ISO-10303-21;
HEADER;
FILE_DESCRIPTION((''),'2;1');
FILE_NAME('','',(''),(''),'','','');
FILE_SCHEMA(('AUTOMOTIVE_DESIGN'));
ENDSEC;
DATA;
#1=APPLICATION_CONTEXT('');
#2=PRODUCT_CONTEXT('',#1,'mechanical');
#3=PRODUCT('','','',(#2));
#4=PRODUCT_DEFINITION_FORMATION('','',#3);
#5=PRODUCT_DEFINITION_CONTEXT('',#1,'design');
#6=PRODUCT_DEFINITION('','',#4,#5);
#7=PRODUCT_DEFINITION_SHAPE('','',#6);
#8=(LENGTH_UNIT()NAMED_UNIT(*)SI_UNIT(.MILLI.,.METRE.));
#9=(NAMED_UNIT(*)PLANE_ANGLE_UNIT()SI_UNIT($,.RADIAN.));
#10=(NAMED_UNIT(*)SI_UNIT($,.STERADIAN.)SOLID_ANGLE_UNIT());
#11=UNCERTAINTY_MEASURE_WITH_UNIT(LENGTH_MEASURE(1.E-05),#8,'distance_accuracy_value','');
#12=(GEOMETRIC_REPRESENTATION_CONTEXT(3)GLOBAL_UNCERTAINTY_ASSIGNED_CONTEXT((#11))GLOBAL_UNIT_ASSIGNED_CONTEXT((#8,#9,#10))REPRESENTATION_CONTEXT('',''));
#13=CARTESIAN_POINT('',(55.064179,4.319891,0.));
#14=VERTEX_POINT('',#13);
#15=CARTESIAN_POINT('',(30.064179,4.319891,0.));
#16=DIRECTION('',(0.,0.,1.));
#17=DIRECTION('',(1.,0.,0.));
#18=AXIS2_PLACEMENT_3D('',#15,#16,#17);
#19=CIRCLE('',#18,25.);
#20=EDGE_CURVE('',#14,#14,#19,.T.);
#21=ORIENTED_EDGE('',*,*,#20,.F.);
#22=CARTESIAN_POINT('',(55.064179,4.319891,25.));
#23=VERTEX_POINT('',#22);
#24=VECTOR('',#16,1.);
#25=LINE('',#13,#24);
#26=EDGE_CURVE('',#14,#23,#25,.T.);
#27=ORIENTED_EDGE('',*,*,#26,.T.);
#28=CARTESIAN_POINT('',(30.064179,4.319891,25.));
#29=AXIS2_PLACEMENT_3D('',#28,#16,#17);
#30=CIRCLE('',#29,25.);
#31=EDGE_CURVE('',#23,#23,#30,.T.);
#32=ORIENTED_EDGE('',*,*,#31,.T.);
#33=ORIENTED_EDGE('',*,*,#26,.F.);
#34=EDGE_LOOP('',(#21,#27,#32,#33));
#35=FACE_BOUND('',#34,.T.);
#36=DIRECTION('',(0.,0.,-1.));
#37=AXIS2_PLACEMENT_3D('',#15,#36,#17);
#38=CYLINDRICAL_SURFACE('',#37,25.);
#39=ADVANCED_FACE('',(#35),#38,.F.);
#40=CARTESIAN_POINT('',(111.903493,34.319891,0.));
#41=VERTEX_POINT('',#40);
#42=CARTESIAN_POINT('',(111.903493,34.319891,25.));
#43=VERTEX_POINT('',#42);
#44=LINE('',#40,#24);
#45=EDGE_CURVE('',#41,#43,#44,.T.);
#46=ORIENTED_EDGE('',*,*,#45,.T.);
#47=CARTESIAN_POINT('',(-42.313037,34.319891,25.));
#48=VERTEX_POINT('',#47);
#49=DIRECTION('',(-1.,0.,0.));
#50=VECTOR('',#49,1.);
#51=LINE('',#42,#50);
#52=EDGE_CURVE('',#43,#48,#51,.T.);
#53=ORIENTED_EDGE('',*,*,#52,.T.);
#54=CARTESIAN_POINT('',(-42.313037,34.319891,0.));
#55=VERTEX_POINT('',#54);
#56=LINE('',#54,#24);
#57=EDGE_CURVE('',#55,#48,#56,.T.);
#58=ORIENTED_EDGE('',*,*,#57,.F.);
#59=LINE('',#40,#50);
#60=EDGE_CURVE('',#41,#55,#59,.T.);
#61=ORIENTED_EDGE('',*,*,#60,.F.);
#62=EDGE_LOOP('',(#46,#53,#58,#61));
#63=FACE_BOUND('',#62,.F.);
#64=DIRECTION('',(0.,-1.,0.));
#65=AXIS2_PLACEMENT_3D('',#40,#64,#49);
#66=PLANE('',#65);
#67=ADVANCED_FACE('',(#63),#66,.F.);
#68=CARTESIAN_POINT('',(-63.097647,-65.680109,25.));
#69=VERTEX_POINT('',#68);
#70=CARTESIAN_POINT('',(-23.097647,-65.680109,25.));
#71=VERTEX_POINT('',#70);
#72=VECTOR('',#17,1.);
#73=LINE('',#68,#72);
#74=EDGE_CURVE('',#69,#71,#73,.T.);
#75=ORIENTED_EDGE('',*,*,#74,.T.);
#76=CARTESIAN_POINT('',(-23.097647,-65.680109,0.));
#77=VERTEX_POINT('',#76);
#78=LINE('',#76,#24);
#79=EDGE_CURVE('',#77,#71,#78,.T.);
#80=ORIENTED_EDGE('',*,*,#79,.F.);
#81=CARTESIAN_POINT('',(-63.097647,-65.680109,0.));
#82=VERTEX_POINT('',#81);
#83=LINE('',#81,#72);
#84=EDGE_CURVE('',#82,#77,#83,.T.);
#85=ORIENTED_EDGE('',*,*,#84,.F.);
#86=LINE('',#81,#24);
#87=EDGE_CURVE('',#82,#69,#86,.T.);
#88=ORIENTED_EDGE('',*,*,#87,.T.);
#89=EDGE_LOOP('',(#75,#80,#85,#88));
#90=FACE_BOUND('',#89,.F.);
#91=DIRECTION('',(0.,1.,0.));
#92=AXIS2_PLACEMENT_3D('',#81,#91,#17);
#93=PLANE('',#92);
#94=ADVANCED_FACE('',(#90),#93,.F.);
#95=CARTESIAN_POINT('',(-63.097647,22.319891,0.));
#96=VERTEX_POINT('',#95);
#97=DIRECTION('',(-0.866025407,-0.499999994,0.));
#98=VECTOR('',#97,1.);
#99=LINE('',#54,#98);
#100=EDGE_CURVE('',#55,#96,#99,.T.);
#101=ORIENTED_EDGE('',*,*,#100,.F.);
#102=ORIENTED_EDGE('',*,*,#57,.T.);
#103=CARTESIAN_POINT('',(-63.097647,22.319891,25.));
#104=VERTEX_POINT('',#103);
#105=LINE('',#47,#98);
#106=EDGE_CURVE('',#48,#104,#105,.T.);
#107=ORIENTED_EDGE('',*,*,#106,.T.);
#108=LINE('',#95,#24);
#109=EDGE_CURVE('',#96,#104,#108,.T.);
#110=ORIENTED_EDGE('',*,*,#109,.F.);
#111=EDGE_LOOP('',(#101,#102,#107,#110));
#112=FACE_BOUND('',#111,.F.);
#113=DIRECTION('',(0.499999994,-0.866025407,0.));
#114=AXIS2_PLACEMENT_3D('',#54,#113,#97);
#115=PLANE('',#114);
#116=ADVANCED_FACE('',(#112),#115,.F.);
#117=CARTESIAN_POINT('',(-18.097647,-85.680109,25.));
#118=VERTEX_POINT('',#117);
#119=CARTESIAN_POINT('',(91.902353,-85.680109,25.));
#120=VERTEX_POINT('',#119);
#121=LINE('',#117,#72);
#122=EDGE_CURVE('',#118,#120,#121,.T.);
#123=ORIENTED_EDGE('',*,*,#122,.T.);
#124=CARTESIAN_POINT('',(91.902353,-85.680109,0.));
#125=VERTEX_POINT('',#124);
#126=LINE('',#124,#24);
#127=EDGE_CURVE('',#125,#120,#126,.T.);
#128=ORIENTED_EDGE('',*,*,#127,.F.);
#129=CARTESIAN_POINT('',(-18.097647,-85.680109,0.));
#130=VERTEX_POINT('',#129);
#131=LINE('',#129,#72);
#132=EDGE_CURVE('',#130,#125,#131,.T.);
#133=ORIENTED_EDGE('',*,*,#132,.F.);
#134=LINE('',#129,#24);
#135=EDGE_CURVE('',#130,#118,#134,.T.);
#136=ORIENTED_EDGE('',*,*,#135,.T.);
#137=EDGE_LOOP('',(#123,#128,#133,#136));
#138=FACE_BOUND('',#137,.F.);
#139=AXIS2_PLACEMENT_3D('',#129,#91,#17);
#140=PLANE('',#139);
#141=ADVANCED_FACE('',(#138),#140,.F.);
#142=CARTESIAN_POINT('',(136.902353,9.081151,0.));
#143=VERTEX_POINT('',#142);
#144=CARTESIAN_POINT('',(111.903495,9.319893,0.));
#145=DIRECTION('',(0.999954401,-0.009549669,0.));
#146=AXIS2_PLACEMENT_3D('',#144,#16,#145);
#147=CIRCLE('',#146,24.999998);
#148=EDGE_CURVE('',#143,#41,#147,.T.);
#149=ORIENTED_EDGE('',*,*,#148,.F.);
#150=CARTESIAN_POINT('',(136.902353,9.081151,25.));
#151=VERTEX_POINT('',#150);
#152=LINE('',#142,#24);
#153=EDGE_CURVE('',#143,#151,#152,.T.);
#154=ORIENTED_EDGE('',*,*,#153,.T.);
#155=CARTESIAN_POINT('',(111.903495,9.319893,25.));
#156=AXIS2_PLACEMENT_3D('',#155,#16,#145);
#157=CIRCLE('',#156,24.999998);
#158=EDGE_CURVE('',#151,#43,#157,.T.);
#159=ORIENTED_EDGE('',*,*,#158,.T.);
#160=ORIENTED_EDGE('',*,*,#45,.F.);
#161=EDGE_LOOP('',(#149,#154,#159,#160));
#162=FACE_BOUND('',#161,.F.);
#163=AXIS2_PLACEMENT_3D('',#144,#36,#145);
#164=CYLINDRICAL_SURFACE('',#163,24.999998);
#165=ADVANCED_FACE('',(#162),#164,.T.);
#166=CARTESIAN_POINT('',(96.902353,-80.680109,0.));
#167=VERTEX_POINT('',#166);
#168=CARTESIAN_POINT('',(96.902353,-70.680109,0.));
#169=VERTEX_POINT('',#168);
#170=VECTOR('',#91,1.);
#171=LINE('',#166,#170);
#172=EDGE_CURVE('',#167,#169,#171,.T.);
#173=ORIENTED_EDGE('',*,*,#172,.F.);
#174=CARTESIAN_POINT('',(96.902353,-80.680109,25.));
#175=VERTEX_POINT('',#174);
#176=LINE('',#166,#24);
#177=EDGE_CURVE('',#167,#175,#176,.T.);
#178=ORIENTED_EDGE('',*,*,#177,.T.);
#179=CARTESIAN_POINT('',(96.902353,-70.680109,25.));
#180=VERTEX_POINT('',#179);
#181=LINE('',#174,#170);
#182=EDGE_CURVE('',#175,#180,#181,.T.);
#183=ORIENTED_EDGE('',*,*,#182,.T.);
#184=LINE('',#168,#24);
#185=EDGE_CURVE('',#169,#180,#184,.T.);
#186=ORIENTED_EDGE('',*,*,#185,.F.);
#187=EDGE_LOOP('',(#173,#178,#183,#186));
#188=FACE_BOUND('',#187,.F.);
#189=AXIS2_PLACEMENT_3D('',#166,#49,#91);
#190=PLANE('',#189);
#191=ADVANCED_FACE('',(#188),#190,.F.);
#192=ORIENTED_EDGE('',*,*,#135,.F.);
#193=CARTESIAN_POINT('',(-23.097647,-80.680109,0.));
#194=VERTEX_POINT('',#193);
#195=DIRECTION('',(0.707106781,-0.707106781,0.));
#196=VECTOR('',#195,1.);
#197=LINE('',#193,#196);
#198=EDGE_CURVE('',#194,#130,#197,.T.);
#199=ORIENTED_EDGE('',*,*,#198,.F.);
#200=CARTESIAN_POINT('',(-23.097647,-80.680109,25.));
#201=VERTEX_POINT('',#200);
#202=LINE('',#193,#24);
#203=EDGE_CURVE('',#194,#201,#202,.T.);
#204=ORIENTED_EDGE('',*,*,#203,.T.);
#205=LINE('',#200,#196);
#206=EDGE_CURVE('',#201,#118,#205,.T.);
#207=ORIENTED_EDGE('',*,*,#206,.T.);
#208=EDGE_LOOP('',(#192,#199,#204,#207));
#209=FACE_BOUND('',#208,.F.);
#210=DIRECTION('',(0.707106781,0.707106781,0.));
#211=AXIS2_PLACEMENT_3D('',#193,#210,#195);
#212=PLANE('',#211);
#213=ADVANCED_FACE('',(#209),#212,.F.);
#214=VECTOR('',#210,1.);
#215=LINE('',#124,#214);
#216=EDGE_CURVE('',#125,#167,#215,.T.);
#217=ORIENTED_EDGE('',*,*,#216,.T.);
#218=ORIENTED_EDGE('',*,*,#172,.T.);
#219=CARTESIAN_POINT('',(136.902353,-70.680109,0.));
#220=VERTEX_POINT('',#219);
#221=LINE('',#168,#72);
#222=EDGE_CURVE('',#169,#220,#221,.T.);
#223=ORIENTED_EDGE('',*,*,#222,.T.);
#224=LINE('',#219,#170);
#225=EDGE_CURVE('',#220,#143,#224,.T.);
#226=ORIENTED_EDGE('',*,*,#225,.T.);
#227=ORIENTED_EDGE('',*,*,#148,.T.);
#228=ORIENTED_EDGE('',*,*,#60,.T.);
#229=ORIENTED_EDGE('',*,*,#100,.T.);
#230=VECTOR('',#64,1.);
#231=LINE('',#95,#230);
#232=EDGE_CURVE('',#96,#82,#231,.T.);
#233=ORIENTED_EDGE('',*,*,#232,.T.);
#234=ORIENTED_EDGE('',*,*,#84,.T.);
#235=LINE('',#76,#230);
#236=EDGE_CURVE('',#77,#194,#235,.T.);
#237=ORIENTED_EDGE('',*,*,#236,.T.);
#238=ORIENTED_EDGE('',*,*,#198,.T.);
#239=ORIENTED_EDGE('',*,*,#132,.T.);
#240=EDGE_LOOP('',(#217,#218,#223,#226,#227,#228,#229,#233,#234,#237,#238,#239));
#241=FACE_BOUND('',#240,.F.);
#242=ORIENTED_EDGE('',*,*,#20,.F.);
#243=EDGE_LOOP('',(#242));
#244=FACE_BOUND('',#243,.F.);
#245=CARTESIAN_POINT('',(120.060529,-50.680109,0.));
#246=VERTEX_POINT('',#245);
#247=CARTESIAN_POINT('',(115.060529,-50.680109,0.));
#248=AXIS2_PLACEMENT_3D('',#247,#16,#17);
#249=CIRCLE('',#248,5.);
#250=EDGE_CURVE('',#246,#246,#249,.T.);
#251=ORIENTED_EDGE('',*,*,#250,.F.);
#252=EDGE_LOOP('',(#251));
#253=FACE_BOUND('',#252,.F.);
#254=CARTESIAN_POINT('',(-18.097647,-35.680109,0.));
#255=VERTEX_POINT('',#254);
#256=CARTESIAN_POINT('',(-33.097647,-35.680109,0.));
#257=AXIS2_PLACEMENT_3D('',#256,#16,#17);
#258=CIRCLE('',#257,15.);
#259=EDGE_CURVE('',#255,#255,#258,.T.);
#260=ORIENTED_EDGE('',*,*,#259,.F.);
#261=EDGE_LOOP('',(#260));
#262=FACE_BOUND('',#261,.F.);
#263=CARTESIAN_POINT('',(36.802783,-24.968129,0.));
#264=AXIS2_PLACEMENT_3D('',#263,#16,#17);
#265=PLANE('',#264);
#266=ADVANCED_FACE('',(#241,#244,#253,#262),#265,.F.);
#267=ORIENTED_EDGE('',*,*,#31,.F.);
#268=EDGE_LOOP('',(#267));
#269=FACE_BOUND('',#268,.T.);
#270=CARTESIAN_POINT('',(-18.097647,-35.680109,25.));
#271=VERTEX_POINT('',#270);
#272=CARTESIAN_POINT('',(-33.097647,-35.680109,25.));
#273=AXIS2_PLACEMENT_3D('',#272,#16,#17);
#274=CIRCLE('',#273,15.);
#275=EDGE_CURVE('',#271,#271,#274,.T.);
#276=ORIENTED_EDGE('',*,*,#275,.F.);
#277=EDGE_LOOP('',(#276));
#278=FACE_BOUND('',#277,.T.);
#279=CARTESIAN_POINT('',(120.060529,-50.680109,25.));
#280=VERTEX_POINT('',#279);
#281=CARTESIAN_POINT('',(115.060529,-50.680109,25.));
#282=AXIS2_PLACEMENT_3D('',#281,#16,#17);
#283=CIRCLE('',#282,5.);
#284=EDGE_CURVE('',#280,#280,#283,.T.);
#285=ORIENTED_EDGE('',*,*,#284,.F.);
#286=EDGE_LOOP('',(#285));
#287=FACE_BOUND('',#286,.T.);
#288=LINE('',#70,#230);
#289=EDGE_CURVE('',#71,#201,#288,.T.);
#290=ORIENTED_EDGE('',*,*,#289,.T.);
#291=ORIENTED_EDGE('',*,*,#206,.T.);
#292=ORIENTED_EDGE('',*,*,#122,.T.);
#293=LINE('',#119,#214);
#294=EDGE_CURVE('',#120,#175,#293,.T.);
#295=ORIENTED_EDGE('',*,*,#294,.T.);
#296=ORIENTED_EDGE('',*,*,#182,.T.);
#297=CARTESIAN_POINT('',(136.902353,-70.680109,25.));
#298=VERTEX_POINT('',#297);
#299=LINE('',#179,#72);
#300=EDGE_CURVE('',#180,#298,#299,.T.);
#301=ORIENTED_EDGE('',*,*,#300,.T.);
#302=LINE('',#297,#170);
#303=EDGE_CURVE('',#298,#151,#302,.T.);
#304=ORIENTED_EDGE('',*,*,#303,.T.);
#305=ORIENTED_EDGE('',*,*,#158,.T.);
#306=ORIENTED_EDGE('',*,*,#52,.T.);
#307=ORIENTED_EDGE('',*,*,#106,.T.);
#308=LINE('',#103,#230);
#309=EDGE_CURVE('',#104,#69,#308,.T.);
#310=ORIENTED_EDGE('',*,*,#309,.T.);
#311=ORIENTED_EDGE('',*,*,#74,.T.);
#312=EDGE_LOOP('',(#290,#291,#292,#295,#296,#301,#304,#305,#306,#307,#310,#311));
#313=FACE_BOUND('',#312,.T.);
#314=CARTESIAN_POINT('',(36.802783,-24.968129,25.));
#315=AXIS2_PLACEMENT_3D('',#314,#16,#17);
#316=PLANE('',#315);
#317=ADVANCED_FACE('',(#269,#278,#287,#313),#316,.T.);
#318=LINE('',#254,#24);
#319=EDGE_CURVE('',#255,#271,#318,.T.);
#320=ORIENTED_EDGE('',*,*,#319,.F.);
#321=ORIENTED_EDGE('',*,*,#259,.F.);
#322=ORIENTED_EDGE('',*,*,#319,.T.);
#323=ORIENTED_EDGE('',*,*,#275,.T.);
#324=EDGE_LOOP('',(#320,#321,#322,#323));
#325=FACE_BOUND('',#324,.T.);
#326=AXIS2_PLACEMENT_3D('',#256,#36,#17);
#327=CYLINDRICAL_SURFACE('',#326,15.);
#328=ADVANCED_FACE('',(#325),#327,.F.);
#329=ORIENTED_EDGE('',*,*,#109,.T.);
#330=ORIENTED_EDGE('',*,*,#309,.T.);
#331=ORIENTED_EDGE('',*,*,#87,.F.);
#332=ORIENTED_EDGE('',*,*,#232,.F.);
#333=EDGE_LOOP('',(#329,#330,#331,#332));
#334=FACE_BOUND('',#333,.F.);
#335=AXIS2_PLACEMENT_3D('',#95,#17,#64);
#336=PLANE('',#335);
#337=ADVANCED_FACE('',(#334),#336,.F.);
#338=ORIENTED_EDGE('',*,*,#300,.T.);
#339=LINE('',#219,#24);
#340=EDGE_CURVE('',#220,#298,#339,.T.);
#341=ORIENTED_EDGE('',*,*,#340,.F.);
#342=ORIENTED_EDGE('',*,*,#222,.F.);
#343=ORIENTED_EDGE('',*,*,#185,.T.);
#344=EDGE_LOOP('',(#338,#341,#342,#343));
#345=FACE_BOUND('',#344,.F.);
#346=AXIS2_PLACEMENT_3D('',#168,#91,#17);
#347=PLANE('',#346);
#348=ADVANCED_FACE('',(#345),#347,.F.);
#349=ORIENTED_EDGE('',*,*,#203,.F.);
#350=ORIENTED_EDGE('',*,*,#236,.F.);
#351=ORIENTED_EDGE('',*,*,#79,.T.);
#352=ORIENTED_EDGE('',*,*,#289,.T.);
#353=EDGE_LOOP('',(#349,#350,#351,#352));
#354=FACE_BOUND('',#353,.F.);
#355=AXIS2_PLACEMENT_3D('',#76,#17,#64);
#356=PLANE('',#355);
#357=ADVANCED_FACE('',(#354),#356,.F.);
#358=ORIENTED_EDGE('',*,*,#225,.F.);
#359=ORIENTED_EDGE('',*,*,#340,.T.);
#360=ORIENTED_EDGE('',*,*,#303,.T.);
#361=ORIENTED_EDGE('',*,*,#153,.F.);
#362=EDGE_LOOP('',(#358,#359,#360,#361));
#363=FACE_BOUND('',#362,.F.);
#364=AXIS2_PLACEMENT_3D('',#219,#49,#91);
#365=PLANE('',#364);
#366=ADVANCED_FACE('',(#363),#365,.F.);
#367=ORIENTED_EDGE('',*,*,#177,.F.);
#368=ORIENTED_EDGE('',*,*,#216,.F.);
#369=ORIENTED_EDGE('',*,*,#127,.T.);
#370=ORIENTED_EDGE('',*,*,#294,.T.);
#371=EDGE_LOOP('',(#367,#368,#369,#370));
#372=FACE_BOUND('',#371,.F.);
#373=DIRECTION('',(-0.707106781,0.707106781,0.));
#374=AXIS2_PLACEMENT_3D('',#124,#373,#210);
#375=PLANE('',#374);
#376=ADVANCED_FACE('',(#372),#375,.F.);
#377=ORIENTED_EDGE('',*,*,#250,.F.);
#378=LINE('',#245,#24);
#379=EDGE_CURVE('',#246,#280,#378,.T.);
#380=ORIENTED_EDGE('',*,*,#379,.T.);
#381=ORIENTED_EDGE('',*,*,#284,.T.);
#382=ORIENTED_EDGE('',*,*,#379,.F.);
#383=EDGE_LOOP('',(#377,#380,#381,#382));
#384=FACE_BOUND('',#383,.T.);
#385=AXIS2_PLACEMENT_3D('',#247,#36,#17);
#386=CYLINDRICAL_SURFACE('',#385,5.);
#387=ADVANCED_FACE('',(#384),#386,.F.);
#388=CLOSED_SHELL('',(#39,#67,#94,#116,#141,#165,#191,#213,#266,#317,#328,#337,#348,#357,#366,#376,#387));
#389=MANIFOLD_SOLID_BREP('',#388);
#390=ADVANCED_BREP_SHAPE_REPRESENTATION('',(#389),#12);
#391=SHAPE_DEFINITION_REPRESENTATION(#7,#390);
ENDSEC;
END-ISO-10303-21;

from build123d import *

# Parameters (mm, degrees)
F0_R     = 15
F0_R_2   = 5
F0_R_3   = 25
F1_DEPTH = 25


with BuildPart() as f1:
    # F0 (on Top) → F1 (new body)
    with BuildSketch(Plane.XY):
        with BuildLine():
            Line((-42.313037, 34.319891), (-63.097647, 22.319891))
            Line((-63.097647, 22.319891), (-63.097647, -35.680109))
            Line((-63.097647, -35.680109), (-63.097647, -65.680109))
            Line((-63.097647, -65.680109), (-33.097647, -65.680109))
            Line((-33.097647, -65.680109), (-23.097647, -65.680109))
            Line((-23.097647, -65.680109), (-23.097647, -80.680109))
            Line((-23.097647, -80.680109), (-18.097647, -85.680109))
            Line((-18.097647, -85.680109), (91.902353, -85.680109))
            Line((91.902353, -85.680109), (96.902353, -80.680109))
            Line((96.902353, -80.680109), (96.902353, -70.680109))
            Line((96.902353, -70.680109), (116.902353, -70.680109))
            Line((116.902353, -70.680109), (136.902353, -70.680109))
            Line((136.902353, -70.680109), (136.902353, 9.081151))
            ThreePointArc((136.902353, 9.081151), (129.66537, 26.912951), (111.903493, 34.319891))
            Line((111.903493, 34.319891), (28.686963, 34.319891))
            Line((28.686963, 34.319891), (-1.313037, 34.319891))
            Line((-1.313037, 34.319891), (-42.313037, 34.319891))
        make_face()
        with Locations((-33.097647, -35.680109)):
            Circle(F0_R, mode=Mode.SUBTRACT)
        with Locations((115.060529, -50.680109)):
            Circle(F0_R_2, mode=Mode.SUBTRACT)
        with Locations((30.064179, 4.319891)):
            Circle(F0_R_3, mode=Mode.SUBTRACT)
    extrude(amount=F1_DEPTH)


solid = f1.part
